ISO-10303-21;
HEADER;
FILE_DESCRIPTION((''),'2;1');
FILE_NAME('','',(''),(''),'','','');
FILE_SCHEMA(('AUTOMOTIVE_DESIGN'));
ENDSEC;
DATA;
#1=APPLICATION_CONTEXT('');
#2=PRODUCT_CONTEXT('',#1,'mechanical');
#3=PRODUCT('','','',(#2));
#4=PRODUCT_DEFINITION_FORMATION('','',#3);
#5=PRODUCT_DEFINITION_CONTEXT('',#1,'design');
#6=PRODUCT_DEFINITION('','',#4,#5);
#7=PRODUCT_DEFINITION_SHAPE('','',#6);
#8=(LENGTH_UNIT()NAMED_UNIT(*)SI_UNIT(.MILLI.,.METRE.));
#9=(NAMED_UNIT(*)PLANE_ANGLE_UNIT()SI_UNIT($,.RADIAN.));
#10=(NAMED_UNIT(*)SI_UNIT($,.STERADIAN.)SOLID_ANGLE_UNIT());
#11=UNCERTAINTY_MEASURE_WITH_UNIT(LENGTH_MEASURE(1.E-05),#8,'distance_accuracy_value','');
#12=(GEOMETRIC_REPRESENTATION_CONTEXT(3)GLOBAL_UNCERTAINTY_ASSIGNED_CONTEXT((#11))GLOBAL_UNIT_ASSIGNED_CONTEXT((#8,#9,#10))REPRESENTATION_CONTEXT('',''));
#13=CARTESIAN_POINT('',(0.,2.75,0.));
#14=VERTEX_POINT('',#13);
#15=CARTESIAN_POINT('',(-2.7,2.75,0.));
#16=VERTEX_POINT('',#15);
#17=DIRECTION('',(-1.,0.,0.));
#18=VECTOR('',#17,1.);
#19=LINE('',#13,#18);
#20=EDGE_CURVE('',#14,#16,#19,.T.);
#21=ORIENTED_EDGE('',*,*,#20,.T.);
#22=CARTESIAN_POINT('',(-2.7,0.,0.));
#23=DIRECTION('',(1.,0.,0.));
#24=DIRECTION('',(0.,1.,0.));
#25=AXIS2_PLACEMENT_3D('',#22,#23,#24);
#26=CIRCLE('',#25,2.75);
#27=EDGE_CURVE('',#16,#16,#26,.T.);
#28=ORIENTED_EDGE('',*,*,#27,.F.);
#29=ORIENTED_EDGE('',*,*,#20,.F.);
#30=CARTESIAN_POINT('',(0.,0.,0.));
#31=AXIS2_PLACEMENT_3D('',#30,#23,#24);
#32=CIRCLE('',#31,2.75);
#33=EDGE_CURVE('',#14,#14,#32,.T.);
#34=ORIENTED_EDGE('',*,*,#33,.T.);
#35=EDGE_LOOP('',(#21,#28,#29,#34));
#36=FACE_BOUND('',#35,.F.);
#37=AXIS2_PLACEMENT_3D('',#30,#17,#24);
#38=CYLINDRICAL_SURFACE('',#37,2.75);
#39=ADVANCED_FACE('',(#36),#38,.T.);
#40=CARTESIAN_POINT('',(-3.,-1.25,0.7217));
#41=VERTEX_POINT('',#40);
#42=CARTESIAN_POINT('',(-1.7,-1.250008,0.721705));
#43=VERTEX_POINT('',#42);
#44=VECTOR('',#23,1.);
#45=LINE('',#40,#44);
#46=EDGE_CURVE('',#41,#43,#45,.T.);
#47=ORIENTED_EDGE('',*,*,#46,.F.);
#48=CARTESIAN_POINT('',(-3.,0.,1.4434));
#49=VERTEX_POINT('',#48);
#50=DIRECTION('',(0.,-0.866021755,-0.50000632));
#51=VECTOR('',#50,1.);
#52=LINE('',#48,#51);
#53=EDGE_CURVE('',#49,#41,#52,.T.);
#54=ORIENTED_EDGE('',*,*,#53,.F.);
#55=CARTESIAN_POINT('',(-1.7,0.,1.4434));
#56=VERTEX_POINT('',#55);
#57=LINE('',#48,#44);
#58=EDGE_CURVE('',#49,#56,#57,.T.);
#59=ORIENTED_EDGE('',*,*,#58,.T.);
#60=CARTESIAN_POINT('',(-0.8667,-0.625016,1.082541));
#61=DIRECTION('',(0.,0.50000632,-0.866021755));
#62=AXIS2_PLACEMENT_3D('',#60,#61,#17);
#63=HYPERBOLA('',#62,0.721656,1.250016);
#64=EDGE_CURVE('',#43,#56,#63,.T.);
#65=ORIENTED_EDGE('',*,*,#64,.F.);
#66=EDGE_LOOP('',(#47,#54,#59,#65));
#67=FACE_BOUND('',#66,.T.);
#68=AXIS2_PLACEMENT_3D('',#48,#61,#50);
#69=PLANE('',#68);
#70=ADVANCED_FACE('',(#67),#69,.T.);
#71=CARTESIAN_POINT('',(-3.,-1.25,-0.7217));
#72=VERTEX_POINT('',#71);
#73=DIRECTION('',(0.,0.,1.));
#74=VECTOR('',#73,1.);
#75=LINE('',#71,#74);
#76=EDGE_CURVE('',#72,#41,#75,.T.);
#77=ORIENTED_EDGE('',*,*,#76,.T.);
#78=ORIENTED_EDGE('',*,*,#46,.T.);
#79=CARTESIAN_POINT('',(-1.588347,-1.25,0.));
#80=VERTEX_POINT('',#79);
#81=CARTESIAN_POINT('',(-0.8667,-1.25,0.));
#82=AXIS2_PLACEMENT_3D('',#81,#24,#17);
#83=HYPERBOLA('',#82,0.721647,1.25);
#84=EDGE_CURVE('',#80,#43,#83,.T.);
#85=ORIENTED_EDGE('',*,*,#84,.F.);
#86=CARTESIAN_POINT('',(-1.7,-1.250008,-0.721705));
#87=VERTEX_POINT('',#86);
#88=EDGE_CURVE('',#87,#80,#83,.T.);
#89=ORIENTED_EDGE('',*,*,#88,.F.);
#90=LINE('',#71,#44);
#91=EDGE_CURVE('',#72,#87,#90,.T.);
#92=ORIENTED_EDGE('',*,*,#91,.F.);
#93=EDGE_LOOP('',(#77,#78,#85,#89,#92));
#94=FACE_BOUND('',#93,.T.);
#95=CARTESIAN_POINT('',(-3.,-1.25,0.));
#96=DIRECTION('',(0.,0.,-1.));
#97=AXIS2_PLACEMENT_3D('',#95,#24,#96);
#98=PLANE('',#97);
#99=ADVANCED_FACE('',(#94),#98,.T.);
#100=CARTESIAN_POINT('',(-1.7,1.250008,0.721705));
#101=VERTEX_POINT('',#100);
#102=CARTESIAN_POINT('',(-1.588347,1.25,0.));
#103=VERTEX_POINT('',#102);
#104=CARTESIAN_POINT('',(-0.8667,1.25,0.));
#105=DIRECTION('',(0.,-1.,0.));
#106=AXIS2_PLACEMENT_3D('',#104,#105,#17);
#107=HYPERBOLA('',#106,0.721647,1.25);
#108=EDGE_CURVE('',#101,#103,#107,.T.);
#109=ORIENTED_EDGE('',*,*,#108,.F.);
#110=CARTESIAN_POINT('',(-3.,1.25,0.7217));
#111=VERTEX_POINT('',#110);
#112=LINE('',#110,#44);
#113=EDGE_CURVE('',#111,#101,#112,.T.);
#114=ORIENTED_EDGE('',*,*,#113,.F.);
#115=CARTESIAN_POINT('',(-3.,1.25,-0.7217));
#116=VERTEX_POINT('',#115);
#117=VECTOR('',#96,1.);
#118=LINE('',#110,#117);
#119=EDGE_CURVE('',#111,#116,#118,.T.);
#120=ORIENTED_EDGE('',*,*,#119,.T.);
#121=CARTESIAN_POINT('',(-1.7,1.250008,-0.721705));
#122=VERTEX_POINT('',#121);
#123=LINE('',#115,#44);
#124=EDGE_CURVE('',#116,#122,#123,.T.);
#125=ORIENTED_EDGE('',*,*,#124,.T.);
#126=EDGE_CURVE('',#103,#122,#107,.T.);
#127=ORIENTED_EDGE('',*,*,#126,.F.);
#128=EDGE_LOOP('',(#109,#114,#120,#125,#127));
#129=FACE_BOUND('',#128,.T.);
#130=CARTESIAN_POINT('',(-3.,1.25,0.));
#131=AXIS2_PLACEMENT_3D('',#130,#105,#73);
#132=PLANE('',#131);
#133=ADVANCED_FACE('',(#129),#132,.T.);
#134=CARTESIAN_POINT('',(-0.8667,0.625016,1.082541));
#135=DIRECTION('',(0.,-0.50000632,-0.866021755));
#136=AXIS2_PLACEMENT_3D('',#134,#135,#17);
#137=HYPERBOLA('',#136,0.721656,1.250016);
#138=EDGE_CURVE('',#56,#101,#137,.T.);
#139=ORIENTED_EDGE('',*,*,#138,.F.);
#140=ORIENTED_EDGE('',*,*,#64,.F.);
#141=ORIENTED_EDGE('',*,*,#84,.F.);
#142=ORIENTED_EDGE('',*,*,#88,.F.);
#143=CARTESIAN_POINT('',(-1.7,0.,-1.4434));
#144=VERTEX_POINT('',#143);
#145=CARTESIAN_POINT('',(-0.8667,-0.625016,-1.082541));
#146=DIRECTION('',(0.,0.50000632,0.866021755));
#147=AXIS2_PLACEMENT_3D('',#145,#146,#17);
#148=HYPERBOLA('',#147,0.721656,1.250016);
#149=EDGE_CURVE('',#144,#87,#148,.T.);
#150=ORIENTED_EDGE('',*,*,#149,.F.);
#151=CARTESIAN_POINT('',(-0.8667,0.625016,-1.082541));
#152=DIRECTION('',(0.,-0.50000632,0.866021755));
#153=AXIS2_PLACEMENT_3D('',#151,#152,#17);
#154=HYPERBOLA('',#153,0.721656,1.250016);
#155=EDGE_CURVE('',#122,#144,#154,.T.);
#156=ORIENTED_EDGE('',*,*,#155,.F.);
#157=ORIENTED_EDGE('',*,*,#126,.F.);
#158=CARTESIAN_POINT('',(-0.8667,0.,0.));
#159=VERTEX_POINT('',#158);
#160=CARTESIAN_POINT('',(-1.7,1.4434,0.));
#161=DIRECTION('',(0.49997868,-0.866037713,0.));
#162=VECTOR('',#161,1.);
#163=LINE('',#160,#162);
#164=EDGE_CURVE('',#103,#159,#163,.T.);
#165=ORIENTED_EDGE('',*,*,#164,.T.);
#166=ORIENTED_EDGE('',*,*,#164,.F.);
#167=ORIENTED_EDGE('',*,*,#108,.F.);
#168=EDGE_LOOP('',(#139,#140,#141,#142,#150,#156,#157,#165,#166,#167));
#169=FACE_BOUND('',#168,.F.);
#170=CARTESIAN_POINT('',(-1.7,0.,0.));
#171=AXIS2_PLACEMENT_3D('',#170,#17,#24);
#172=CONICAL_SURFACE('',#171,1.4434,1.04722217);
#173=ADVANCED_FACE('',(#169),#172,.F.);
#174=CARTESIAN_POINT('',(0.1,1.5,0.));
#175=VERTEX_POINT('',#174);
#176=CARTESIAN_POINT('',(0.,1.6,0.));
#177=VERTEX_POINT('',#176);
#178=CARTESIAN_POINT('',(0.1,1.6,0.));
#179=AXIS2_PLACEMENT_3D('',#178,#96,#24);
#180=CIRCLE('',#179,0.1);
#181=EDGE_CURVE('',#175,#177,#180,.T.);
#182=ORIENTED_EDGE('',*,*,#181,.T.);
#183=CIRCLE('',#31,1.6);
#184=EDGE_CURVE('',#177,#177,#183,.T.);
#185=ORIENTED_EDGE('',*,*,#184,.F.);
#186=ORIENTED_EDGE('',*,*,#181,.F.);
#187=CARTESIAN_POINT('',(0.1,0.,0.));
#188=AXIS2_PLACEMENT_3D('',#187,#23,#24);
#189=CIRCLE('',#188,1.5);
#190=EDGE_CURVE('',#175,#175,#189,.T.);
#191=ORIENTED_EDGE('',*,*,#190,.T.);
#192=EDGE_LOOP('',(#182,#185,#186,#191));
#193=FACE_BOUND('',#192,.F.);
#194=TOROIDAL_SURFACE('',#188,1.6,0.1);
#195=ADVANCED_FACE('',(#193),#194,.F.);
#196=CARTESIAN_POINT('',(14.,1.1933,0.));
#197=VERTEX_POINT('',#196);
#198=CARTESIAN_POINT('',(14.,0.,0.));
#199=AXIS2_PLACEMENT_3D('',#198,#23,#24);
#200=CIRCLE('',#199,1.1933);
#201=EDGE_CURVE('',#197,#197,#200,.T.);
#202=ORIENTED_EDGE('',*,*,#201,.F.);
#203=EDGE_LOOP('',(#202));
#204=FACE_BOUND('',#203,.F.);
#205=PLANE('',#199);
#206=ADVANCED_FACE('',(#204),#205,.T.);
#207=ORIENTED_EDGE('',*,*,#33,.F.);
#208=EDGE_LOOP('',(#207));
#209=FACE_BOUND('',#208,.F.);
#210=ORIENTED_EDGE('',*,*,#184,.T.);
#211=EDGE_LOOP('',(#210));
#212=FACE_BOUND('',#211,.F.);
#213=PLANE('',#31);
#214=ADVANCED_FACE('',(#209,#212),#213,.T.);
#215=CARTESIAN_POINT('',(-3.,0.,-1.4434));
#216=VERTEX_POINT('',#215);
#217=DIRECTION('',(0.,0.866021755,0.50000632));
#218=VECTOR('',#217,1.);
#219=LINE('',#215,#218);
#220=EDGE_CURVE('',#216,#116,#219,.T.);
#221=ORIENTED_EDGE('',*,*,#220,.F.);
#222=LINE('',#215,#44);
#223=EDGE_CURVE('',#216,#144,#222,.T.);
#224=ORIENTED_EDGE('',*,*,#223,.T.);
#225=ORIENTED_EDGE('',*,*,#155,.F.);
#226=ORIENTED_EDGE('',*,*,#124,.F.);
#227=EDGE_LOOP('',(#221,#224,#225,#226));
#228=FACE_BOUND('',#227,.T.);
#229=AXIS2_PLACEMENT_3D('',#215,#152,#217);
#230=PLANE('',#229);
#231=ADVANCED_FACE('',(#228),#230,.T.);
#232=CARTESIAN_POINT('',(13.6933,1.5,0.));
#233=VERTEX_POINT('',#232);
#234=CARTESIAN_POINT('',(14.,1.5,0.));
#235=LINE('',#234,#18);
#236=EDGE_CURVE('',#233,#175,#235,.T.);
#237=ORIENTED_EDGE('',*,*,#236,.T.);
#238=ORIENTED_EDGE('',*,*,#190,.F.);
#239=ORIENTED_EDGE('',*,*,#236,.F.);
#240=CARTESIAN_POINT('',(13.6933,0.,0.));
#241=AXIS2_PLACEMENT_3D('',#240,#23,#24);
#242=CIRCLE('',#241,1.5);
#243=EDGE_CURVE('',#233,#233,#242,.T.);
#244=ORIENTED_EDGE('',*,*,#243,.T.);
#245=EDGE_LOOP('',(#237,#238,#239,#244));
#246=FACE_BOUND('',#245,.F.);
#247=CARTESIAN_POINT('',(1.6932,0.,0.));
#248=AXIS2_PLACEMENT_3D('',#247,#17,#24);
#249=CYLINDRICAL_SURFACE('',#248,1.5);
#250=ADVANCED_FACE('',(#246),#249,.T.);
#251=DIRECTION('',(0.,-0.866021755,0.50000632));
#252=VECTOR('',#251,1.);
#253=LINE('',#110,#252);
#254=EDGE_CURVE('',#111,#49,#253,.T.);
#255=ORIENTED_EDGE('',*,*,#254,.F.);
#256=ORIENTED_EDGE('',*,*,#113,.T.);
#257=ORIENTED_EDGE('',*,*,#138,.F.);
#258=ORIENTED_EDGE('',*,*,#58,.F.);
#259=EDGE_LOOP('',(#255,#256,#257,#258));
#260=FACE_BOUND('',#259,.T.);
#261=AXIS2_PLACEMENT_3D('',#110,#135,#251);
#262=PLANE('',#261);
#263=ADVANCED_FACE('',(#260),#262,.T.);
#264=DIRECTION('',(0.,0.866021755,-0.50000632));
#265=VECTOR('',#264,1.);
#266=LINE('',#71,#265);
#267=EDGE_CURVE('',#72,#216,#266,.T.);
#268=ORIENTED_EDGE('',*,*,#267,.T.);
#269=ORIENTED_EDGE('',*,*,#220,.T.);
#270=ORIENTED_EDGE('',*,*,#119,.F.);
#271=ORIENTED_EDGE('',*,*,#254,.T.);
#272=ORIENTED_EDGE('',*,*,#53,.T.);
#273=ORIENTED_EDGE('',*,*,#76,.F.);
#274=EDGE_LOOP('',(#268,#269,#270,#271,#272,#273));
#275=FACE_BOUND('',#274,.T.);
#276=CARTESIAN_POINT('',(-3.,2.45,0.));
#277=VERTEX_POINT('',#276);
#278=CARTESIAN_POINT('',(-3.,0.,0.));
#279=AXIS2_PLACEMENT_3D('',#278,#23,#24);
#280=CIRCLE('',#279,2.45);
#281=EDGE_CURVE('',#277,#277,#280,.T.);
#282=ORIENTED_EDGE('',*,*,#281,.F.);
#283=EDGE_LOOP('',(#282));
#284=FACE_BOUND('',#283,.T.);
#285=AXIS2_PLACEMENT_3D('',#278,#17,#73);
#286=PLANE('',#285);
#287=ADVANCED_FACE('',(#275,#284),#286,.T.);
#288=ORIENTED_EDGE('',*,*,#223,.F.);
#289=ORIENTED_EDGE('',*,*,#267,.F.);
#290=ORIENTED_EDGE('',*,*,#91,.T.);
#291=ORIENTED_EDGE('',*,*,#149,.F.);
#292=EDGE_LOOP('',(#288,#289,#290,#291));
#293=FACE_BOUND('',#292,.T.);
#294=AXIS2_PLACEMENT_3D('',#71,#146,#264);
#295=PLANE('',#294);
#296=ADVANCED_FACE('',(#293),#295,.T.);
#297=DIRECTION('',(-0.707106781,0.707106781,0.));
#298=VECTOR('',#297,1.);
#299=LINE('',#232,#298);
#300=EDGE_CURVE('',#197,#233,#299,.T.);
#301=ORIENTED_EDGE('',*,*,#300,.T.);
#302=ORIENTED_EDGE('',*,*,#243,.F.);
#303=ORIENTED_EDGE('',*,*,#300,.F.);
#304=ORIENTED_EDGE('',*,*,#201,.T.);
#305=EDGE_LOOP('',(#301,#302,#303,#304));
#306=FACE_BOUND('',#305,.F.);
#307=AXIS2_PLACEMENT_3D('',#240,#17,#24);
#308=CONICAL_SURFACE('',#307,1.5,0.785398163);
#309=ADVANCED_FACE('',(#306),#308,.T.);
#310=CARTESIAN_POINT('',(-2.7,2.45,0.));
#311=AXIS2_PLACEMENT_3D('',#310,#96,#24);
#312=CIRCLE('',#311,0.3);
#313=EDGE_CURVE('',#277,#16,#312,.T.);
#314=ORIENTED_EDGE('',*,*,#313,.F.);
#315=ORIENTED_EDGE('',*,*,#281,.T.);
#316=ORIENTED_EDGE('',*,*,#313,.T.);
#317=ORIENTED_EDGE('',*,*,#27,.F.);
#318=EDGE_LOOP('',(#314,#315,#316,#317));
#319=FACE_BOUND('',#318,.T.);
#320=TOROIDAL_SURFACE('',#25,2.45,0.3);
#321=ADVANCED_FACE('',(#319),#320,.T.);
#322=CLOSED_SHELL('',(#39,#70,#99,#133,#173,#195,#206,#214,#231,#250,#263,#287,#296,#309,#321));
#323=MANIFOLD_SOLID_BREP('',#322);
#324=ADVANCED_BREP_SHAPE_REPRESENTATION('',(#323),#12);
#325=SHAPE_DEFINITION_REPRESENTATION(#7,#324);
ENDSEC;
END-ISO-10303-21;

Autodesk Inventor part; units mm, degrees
ref_plane "YZ Plane" through (0, 0, 0) normal (1, 0, 0) x (0, 1, 0)
ref_plane "XZ Plane" through (0, 0, 0) normal (0, 1, 0) x (-1, 0, 0)
sketch "Sketch1" plane through (0, 0, 0) normal (0, 0, 1) x (1, 0, 0)
  line L0 (-0.8667, 0) -> (14, 0)
  line L1 (14, 0) -> (14, 1.5)
  line L2 (14, 1.5) -> (2, 1.5)
  line L3 (2, 1.5) -> (1.6932, 1.5)
  line L4 (1.6932, 1.5) -> (0, 1.5)
  line L5 (0, 1.5) -> (0, 2.75)
  line L6 (0, 2.75) -> (-3, 2.75)
  line L7 (-3, 2.75) -> (-3, 1.4434)
  line L8 (-3, 1.4434) -> (-1.7, 1.4434)
  line L9 (-1.7, 1.4434) -> (-0.8667, 0)
  line L10 (-6.4, 0) -> (17.4, 0) projected
  line L11 (0, -0.55) -> (0, 3.3) projected
  line L12 (2, 1.5) -> (0, 1.5) construction
  dimension "d1" = 12
  dimension "d2" = 0.3068
  dimension "d3" = 3
  dimension "d4" = 1.3
  dimension "d5" = 60
  dimension "d6" = 3
  dimension "d7" = 3
  dimension "d8" = 2.8868
  dimension "d9" = 5.5
  dimension "d26" = 14
revolve "Body" add sketch "Sketch1" angle 360 about axis through (-0.8667, 0, 0) along (1, 0, 0)
sketch "Sketch2" plane through (-3, 0, 0) normal (-1, 0, 0) x (0, 0, 1)
  circle A0 centre (0, 0) radius 1.4434 projected
  line L0 (0, -3.85) -> (0, 3.85) projected
  line L1 (-3.85, 0) -> (3.85, 0) projected
  line L2 (1.4434, 0) -> (0.7217, -1.25)
  line L3 (0.7217, -1.25) -> (-0.7217, -1.25)
  line L4 (-0.7217, -1.25) -> (-1.4434, 0)
  line L5 (-1.4434, 0) -> (-0.7217, 1.25)
  line L6 (-0.7217, 1.25) -> (0.7217, 1.25)
  line L7 (0.7217, 1.25) -> (1.4434, 0)
  point P0 (0, 0)
extrude "Slot" add sketch "Sketch2" against normal up to next contours L7 A0 | A0 L2 | L6 L0 A0 | A0 L0 L3 | L0 L6 A0 | A0 L3 L0 | L4 A0 | A0 L5
fillet "Fillet1" radius 0.3 1 edges at (-3, -2.75, 0)
thread "Thread" size "M3x0.5" class "6g" standard "ISO Metric profile" length 12
chamfer "Chamfer1" distance 0.3067 distance2 0.3067 1 edges at (14, -1.5, 0) measured on face at (14, -0.6587, -0.1791)
ref_plane "Work Plane1" through (29, 0, 0) normal (0, -1, 0) x (1, 0, 0)
fillet "Fillet2" radius 0.1 1 edges at (0, -1.5, 0)
equation "\"d1\" = GEL"
equation "\"d3\" = KOH"
equation "\"d4\" = INTI"
equation "\"d6\" = GD"
equation "\"d7\" = BDM"
equation "\"d8\" = 1.1547 * SW"
equation "\"d9\" = KOD"
equation "\"d26\" = NLG"
equation "\"d30\" = R"
equation "\"d17\" = RR"
equation "\"d13\" = GEL"
equation "\"d15\" = -0.5 * SPD + 0.5 * GD"
equation "\"d16\" = GUL"
equation "\"GD\" = NND"
equation "\"NLG\" = 14"
equation "\"GEL\" = 12"
equation "\"KOD\" = 5.5"
equation "\"KOH\" = NND"
equation "\"INTI\" = 1.3"
equation "\"GAL\" = 0.61345 * PTC"
equation "\"GUL\" = 0.61345 * PTC"
equation "\"BDM\" = NND"
equation "\"SW\" = 2.5"
equation "\"RR\" = 0.1 * NND"
equation "\"SPD\" = NND - 1.2269 * PTC"
equation "\"R\" = 0.1"
equation "\"PHH\" = 0.13"
equation "\"GD1\" = THREADDIA - 1.2269 * PTC"
equation "\"THREADDIA\" = 3"
equation "\"FAWI\" = 45deg"
equation "\"PTC\" = 0.5"
equation "\"KOH1\" = 2.7"
equation "\"NND\" = 3"
equation "\"TOA\" = 30deg"
equation "\"E0\" = 1.155 * SW"
properties part number "AS 1420 - 1973 - M3 x 14" material "Steel, Mild"
